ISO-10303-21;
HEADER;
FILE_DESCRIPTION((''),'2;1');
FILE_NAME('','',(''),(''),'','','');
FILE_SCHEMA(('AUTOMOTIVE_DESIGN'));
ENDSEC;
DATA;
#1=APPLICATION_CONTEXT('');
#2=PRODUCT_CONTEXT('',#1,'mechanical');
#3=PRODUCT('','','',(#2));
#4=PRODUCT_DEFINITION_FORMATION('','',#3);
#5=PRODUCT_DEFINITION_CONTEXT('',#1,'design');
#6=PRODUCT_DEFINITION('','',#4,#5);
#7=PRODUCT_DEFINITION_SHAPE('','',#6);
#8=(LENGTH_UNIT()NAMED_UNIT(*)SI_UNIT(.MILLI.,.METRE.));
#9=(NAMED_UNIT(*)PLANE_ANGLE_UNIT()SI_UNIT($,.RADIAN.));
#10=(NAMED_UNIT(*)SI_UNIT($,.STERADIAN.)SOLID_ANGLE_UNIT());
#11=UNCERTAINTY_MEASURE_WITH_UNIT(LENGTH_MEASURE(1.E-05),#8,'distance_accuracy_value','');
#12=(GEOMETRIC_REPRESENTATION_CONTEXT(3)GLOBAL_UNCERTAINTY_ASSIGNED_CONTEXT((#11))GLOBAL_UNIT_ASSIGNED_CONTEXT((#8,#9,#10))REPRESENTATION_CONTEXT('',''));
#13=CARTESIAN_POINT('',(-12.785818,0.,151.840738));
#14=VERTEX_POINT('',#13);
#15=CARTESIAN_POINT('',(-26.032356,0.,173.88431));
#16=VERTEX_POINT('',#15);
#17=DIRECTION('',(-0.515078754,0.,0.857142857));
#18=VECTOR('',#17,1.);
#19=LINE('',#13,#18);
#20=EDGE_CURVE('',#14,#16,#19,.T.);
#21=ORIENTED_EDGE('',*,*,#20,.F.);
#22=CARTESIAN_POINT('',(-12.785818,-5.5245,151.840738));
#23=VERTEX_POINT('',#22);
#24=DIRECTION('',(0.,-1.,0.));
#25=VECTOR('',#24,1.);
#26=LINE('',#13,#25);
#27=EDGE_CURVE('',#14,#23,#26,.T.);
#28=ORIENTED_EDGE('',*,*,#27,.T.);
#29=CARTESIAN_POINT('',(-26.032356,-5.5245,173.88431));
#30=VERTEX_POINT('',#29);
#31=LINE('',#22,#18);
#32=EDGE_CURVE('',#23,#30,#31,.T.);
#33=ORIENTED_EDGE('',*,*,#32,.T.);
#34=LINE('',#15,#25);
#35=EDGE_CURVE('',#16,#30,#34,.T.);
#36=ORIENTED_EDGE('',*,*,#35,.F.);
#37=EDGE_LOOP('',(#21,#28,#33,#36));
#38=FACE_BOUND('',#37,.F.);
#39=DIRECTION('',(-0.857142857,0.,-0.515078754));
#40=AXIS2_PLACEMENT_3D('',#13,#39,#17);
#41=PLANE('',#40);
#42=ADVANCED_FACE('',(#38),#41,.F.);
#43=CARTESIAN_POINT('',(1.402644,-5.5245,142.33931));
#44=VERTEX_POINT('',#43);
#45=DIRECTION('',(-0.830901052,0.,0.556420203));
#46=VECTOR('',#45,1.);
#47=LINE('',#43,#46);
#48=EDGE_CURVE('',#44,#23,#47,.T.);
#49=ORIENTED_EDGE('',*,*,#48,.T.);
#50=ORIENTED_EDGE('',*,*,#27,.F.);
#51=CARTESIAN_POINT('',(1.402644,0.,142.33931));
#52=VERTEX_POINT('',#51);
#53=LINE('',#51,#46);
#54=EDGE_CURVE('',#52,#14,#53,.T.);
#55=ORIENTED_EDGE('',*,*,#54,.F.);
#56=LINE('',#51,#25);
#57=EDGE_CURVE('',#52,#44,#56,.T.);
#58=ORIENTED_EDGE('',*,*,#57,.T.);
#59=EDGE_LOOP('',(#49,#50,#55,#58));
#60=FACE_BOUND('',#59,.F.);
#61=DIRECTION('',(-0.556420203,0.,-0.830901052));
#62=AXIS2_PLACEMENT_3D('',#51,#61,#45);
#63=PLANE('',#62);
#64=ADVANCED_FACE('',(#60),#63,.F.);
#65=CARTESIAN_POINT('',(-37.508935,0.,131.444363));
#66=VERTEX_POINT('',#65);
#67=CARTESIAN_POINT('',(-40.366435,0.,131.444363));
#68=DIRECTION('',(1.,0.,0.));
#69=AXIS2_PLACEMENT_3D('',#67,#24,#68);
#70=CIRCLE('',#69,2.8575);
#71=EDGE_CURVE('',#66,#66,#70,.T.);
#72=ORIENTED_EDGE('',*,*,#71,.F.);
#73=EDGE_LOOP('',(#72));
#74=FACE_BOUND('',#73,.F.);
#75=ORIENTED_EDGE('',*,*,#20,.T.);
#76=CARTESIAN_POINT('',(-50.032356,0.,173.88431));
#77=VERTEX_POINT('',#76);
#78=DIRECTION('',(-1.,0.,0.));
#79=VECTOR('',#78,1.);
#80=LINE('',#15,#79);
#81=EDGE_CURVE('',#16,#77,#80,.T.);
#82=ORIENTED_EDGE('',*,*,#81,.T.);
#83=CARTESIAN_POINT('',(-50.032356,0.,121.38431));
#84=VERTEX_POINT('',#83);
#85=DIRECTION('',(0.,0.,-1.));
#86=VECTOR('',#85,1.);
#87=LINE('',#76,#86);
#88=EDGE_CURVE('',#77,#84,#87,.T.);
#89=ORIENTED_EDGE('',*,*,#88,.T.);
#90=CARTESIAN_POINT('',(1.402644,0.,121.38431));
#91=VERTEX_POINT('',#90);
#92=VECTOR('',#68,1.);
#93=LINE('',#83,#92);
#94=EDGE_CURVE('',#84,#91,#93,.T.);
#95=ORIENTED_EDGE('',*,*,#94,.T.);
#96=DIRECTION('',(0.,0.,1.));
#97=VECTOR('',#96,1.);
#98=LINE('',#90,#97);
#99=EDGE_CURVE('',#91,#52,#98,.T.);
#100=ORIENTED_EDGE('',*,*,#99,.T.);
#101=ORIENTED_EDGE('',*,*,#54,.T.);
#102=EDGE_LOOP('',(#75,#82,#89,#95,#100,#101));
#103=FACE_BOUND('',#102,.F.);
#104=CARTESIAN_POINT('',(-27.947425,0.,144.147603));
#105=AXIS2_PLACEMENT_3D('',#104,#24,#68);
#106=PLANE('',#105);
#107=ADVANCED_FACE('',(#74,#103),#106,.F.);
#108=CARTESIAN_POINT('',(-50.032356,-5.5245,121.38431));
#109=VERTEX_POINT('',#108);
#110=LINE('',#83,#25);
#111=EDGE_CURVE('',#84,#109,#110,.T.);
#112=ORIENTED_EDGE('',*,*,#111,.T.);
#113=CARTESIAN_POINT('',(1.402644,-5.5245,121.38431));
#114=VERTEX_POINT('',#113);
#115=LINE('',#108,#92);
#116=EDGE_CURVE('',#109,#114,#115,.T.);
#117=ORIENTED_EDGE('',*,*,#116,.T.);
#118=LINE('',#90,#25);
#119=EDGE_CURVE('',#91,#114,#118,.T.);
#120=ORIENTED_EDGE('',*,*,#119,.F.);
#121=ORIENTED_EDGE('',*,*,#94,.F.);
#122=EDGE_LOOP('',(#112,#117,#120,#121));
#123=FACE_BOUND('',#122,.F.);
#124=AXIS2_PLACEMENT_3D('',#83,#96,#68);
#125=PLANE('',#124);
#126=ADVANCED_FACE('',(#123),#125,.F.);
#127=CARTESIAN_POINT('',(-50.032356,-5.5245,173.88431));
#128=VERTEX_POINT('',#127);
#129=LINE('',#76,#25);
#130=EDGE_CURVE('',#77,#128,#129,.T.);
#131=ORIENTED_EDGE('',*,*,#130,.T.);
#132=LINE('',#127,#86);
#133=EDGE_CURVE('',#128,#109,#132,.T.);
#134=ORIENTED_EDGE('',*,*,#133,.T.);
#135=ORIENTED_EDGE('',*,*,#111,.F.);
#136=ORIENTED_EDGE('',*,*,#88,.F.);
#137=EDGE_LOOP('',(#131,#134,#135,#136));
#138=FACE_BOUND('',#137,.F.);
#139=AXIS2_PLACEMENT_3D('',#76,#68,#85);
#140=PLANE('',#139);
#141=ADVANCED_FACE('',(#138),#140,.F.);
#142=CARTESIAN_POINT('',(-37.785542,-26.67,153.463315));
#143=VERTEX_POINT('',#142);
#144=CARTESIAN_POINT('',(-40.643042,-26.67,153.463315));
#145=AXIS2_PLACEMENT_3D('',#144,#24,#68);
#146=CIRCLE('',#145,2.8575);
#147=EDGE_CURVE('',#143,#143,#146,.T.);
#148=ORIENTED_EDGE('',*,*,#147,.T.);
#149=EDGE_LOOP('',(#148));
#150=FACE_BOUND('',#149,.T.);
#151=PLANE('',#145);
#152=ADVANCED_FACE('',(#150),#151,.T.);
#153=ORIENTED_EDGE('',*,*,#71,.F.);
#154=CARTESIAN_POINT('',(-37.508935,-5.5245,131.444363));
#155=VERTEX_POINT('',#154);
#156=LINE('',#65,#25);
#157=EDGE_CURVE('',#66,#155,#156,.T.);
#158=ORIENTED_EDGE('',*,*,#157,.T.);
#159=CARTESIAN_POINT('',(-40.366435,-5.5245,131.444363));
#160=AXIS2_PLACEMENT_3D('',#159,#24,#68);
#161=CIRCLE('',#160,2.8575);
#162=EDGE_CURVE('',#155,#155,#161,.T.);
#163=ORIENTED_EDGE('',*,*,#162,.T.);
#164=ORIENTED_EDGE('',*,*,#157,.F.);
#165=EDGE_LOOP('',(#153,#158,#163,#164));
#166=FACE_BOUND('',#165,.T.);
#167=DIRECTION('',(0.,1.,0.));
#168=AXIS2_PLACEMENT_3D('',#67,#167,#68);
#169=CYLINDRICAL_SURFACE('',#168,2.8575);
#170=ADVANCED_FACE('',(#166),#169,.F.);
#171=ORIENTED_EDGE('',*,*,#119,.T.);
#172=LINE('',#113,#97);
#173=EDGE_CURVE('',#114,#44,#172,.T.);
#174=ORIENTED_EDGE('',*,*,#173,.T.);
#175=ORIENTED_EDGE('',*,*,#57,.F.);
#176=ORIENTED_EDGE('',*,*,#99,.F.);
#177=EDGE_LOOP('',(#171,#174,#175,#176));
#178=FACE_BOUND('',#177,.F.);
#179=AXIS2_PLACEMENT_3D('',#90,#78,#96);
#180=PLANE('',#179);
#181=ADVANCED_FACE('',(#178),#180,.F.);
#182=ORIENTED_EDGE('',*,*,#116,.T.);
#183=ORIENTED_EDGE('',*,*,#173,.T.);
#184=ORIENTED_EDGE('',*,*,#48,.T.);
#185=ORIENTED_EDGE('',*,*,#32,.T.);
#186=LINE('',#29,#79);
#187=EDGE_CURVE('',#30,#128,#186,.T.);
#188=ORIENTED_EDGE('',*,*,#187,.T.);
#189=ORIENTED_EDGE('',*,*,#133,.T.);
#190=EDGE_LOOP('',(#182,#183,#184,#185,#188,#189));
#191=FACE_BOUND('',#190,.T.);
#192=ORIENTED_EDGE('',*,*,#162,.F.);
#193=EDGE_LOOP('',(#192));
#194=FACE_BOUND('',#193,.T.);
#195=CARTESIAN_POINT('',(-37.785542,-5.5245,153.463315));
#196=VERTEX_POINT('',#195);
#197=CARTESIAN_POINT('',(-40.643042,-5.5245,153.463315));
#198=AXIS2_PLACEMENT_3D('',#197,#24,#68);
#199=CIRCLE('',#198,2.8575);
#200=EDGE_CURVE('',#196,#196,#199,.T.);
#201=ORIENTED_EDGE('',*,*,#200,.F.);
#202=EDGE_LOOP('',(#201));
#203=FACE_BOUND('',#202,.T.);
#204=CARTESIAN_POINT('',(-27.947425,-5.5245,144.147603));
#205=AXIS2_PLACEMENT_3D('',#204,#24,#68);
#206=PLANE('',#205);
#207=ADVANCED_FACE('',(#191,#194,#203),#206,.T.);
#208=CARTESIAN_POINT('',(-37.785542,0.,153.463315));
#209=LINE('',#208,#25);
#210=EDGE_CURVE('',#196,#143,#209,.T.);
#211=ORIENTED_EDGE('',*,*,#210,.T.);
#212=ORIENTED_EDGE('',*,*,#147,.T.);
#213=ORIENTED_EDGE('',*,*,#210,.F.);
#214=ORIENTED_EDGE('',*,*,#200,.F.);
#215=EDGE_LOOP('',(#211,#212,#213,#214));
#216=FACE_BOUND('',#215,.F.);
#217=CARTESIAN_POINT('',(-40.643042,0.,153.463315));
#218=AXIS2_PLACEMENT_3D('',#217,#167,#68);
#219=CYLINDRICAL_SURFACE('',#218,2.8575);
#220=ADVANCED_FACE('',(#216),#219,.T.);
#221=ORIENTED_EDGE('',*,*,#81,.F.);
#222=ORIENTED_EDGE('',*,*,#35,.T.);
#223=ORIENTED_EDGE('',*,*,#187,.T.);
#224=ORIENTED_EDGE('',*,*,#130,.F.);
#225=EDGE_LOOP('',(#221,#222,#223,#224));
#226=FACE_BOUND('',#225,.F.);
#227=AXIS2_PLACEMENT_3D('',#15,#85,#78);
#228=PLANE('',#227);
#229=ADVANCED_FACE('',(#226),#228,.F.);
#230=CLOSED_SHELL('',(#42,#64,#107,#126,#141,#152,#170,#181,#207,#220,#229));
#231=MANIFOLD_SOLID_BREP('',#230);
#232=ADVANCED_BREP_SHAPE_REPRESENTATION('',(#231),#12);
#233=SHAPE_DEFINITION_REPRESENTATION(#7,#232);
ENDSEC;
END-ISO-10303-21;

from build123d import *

# Parameters (mm, degrees)
F0_R     = 0.381
F1_DEPTH = 0.7366
F2_DEPTH = 3.556
F3_SCALE = 7.5


with BuildPart() as f1:
    # F0 (on Front) → F1 (new body)
    with BuildSketch(Plane.XZ):
        Polygon((-3.4709807732, 23.1845746487), (-6.6709807732, 23.1845746487), (-6.6709807732, 16.1845746487), (0.1870192268, 16.1845746487), (0.1870192268, 18.9785746487), (-1.704775727, 20.2454317916), align=None)
        with Locations((-5.3821913898, 17.5259150565)):
            Circle(F0_R, mode=Mode.SUBTRACT)
        with Locations((-5.4190722294, 20.4617753625)):
            Circle(F0_R, mode=Mode.SUBTRACT)
    extrude(amount=F1_DEPTH)

    # F0 (on Front) → F2 (join)
    with BuildSketch(Plane.XZ):
        with Locations((-5.4190722294, 20.4617753625)):
            Circle(F0_R)
    extrude(amount=F2_DEPTH)


with BuildPart() as f1_1:
    # F3: moved
    add(f1.part.scale(F3_SCALE))


solid = f1_1.part
